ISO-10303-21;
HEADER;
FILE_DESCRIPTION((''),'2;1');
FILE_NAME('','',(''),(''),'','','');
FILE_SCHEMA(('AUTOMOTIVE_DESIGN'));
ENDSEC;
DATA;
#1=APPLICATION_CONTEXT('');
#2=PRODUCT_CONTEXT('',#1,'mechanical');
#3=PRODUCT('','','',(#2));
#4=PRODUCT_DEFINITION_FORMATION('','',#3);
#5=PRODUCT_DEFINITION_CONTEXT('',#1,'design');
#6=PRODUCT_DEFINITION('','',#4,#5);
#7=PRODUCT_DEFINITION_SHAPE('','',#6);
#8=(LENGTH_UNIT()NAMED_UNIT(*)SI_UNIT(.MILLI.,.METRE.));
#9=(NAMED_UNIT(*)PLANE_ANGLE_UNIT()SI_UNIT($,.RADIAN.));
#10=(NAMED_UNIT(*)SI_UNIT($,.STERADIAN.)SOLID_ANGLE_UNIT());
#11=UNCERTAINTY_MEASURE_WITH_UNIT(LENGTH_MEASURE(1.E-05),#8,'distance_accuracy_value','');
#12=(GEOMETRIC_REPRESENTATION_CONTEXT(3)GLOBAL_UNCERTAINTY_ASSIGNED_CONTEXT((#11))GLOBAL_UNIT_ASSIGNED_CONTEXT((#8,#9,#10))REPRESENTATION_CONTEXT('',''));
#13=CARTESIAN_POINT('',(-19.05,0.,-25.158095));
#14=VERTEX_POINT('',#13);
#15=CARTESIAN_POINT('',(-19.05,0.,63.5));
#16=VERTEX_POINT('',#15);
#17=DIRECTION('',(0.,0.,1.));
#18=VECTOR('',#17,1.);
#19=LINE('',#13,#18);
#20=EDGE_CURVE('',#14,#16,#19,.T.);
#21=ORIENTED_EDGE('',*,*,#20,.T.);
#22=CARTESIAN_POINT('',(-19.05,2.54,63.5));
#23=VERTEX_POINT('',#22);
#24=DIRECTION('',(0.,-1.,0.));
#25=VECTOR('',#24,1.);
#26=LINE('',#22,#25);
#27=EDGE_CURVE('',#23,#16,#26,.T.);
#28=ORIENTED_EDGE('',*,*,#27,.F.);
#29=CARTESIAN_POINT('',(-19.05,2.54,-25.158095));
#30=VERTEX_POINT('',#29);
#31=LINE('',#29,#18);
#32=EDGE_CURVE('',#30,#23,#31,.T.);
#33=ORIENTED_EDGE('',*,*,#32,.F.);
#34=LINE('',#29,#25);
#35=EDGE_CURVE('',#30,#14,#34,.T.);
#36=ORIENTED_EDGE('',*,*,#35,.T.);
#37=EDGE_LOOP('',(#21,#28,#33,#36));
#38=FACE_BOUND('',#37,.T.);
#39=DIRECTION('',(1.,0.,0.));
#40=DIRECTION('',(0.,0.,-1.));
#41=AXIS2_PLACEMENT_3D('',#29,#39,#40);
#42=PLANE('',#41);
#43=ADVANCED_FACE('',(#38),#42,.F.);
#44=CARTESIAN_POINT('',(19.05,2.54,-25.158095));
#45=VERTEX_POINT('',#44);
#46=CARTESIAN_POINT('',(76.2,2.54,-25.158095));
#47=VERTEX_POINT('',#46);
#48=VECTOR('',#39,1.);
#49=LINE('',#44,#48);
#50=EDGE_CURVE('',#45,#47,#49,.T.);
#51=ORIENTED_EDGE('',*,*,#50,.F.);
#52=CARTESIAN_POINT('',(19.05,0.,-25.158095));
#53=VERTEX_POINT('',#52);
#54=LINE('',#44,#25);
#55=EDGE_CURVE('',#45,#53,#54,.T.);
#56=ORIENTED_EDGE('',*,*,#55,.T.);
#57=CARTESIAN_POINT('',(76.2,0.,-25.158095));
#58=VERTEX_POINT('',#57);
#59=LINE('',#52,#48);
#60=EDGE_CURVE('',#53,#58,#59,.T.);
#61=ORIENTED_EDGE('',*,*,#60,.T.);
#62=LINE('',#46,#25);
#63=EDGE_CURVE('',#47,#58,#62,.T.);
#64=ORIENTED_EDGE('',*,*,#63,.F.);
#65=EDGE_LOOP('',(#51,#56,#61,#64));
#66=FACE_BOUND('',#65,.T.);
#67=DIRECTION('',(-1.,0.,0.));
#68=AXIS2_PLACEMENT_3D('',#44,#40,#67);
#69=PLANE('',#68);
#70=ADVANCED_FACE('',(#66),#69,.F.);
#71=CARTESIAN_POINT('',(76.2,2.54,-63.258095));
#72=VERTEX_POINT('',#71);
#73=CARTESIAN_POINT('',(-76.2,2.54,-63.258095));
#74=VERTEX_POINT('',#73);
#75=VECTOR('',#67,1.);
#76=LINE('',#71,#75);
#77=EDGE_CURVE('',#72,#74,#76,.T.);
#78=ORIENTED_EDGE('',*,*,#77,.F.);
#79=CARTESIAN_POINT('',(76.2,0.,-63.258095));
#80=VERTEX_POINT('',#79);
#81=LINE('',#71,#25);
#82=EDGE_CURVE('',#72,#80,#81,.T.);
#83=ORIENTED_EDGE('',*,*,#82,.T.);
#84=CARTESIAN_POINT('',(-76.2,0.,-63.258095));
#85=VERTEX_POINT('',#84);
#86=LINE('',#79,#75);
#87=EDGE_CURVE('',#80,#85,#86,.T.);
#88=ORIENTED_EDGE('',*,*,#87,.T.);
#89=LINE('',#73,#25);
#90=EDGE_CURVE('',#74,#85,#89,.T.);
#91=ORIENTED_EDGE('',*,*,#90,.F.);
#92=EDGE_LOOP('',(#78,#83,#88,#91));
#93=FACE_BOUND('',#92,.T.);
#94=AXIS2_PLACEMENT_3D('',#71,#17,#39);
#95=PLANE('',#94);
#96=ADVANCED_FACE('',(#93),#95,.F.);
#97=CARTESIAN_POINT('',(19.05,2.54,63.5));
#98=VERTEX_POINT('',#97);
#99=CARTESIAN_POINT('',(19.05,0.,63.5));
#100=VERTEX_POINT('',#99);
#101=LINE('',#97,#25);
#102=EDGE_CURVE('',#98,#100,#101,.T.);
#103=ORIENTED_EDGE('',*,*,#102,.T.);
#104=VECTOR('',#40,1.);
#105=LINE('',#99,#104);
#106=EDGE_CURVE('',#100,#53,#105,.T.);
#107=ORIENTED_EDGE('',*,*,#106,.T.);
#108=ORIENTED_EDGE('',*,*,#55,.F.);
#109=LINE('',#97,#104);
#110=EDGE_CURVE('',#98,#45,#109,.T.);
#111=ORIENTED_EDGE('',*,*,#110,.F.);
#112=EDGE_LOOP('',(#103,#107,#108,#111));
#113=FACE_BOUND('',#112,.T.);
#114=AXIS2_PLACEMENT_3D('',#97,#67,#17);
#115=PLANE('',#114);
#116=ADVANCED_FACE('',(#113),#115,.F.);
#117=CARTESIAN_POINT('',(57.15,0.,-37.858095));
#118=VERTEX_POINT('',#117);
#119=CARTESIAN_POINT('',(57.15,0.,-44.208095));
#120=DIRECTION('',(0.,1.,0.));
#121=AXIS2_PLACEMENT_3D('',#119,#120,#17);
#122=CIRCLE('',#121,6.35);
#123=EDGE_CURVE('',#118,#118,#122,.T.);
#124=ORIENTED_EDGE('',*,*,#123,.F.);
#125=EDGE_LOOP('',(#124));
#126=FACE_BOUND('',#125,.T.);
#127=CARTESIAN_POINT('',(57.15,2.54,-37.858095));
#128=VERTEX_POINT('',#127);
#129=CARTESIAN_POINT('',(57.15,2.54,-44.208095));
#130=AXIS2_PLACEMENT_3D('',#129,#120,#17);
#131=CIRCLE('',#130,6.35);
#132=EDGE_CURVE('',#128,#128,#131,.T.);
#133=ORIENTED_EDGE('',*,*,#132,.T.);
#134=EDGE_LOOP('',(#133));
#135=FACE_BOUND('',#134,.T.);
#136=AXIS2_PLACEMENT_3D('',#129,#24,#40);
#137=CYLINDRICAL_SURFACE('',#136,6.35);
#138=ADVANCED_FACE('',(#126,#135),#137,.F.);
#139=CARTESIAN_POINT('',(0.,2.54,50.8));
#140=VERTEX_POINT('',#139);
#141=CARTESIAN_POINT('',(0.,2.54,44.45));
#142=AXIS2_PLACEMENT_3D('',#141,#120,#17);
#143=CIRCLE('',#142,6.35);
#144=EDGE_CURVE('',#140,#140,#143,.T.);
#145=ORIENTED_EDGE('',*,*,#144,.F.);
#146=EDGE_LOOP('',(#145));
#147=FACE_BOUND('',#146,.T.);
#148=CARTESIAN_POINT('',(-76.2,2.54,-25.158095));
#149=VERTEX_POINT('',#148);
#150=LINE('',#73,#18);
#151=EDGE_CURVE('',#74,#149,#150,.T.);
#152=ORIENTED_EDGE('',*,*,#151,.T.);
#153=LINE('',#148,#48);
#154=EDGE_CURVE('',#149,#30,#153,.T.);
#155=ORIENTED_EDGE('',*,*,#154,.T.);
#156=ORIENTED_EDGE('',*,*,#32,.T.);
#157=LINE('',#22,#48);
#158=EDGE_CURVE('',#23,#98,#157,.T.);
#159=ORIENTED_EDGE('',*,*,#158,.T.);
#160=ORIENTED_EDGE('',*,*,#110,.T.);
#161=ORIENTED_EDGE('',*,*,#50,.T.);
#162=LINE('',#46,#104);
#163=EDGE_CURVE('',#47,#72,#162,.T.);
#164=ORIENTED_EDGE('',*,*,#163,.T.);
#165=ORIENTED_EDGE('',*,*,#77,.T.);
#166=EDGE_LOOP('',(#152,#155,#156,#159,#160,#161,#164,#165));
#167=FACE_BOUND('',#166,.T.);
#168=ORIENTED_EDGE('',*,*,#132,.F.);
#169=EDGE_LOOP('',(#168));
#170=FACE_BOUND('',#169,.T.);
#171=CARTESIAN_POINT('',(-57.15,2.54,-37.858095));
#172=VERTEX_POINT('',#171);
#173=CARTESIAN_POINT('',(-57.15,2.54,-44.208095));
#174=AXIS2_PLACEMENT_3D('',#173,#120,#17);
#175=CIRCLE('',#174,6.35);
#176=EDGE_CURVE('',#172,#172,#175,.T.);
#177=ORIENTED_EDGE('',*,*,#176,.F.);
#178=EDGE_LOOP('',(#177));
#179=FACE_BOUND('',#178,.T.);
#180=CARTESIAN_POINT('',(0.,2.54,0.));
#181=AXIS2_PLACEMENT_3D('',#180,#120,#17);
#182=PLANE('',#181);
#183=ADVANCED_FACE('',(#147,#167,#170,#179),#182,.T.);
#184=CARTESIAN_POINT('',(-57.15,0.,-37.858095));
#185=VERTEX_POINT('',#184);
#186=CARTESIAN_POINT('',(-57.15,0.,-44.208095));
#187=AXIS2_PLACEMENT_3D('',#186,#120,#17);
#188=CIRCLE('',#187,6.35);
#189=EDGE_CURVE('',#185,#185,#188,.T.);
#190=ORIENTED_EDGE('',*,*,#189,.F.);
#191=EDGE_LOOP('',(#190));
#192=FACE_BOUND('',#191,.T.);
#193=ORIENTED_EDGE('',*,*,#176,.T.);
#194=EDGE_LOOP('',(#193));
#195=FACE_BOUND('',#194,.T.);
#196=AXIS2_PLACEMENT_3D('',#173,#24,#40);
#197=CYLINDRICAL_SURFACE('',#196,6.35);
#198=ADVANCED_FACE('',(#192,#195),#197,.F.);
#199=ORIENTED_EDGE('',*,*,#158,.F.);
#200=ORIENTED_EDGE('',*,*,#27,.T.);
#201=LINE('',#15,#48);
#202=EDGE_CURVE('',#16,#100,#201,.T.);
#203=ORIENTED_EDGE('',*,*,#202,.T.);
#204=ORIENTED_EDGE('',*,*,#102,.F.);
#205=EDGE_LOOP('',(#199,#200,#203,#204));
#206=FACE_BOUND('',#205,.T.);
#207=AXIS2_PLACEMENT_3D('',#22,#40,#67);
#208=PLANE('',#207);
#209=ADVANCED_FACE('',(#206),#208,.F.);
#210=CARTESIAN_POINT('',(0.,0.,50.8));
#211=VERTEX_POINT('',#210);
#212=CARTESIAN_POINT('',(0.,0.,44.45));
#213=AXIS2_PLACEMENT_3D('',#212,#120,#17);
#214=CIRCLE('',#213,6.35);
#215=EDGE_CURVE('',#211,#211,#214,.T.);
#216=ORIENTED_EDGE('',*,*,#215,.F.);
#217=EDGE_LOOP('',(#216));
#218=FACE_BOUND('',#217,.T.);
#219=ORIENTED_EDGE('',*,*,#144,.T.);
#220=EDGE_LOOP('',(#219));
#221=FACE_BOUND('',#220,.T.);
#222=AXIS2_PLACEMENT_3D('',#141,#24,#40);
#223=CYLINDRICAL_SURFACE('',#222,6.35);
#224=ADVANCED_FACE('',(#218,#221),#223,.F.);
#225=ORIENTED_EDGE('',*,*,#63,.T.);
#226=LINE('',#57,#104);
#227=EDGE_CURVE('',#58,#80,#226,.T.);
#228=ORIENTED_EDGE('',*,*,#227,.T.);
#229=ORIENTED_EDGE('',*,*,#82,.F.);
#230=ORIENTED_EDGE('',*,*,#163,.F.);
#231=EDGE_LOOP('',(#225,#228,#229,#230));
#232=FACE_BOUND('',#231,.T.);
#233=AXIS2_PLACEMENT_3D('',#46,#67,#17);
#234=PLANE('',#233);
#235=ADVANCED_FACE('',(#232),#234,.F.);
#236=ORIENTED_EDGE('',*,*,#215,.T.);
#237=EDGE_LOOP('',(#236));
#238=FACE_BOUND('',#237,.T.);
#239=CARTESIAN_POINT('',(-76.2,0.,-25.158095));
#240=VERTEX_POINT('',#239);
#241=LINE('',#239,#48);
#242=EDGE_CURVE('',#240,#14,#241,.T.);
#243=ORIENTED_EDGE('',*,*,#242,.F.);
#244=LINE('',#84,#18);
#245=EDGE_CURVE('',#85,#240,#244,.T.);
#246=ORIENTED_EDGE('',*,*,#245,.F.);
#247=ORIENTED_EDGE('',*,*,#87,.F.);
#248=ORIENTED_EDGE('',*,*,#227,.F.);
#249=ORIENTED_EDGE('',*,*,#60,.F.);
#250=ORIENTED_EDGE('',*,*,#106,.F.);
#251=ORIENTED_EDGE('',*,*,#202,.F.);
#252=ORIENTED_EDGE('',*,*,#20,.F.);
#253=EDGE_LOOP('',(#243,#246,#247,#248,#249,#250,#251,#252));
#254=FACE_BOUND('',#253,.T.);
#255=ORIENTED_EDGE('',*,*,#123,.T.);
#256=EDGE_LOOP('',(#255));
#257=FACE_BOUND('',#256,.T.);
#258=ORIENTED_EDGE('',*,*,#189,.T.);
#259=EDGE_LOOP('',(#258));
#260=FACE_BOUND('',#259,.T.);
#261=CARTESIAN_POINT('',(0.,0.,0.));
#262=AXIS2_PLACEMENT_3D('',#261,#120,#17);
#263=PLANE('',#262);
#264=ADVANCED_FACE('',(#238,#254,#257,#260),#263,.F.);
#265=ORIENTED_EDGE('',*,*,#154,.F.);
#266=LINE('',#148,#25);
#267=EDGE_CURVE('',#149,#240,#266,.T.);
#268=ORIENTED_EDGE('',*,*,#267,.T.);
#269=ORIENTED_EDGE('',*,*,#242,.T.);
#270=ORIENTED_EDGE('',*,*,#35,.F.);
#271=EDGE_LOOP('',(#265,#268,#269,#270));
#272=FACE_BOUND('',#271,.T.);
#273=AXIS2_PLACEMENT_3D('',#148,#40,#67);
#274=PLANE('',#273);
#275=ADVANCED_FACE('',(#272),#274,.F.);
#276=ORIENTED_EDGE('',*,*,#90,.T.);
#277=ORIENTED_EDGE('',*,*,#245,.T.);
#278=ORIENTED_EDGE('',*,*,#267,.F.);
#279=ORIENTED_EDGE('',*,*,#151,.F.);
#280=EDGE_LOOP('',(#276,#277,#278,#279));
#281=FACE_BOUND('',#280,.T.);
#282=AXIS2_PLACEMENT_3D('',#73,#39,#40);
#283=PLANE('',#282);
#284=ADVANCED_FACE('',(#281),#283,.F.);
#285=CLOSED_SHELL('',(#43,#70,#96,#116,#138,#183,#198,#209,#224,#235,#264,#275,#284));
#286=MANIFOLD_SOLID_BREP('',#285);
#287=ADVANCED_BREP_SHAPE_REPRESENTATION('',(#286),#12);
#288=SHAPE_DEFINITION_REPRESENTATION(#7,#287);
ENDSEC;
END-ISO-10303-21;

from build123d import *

# Parameters (mm, degrees)
SKETCH1_R           = 6.35
BOSS_EXTRUDE1_DEPTH = 2.54


with BuildPart() as part:
    # Sketch1 → Boss-Extrude1 (new body)
    with BuildSketch(Plane(origin=(0, 0, 0), x_dir=(1, 0, 0), z_dir=(0, 1, 0))):
        Polygon((-76.2, 25.158094898), (-19.05, 25.158094898), (-19.05, -63.5), (19.05, -63.5), (19.05, 25.158094898), (76.2, 25.158094898), (76.2, 63.258094898), (-76.2, 63.258094898), align=None)
        with Locations((0, -44.45)):
            Circle(SKETCH1_R, mode=Mode.SUBTRACT)
        with Locations((-57.15, 44.208094898)):
            Circle(SKETCH1_R, mode=Mode.SUBTRACT)
        with Locations((57.15, 44.208094898)):
            Circle(SKETCH1_R, mode=Mode.SUBTRACT)
    extrude(amount=BOSS_EXTRUDE1_DEPTH)


solid = part.part
